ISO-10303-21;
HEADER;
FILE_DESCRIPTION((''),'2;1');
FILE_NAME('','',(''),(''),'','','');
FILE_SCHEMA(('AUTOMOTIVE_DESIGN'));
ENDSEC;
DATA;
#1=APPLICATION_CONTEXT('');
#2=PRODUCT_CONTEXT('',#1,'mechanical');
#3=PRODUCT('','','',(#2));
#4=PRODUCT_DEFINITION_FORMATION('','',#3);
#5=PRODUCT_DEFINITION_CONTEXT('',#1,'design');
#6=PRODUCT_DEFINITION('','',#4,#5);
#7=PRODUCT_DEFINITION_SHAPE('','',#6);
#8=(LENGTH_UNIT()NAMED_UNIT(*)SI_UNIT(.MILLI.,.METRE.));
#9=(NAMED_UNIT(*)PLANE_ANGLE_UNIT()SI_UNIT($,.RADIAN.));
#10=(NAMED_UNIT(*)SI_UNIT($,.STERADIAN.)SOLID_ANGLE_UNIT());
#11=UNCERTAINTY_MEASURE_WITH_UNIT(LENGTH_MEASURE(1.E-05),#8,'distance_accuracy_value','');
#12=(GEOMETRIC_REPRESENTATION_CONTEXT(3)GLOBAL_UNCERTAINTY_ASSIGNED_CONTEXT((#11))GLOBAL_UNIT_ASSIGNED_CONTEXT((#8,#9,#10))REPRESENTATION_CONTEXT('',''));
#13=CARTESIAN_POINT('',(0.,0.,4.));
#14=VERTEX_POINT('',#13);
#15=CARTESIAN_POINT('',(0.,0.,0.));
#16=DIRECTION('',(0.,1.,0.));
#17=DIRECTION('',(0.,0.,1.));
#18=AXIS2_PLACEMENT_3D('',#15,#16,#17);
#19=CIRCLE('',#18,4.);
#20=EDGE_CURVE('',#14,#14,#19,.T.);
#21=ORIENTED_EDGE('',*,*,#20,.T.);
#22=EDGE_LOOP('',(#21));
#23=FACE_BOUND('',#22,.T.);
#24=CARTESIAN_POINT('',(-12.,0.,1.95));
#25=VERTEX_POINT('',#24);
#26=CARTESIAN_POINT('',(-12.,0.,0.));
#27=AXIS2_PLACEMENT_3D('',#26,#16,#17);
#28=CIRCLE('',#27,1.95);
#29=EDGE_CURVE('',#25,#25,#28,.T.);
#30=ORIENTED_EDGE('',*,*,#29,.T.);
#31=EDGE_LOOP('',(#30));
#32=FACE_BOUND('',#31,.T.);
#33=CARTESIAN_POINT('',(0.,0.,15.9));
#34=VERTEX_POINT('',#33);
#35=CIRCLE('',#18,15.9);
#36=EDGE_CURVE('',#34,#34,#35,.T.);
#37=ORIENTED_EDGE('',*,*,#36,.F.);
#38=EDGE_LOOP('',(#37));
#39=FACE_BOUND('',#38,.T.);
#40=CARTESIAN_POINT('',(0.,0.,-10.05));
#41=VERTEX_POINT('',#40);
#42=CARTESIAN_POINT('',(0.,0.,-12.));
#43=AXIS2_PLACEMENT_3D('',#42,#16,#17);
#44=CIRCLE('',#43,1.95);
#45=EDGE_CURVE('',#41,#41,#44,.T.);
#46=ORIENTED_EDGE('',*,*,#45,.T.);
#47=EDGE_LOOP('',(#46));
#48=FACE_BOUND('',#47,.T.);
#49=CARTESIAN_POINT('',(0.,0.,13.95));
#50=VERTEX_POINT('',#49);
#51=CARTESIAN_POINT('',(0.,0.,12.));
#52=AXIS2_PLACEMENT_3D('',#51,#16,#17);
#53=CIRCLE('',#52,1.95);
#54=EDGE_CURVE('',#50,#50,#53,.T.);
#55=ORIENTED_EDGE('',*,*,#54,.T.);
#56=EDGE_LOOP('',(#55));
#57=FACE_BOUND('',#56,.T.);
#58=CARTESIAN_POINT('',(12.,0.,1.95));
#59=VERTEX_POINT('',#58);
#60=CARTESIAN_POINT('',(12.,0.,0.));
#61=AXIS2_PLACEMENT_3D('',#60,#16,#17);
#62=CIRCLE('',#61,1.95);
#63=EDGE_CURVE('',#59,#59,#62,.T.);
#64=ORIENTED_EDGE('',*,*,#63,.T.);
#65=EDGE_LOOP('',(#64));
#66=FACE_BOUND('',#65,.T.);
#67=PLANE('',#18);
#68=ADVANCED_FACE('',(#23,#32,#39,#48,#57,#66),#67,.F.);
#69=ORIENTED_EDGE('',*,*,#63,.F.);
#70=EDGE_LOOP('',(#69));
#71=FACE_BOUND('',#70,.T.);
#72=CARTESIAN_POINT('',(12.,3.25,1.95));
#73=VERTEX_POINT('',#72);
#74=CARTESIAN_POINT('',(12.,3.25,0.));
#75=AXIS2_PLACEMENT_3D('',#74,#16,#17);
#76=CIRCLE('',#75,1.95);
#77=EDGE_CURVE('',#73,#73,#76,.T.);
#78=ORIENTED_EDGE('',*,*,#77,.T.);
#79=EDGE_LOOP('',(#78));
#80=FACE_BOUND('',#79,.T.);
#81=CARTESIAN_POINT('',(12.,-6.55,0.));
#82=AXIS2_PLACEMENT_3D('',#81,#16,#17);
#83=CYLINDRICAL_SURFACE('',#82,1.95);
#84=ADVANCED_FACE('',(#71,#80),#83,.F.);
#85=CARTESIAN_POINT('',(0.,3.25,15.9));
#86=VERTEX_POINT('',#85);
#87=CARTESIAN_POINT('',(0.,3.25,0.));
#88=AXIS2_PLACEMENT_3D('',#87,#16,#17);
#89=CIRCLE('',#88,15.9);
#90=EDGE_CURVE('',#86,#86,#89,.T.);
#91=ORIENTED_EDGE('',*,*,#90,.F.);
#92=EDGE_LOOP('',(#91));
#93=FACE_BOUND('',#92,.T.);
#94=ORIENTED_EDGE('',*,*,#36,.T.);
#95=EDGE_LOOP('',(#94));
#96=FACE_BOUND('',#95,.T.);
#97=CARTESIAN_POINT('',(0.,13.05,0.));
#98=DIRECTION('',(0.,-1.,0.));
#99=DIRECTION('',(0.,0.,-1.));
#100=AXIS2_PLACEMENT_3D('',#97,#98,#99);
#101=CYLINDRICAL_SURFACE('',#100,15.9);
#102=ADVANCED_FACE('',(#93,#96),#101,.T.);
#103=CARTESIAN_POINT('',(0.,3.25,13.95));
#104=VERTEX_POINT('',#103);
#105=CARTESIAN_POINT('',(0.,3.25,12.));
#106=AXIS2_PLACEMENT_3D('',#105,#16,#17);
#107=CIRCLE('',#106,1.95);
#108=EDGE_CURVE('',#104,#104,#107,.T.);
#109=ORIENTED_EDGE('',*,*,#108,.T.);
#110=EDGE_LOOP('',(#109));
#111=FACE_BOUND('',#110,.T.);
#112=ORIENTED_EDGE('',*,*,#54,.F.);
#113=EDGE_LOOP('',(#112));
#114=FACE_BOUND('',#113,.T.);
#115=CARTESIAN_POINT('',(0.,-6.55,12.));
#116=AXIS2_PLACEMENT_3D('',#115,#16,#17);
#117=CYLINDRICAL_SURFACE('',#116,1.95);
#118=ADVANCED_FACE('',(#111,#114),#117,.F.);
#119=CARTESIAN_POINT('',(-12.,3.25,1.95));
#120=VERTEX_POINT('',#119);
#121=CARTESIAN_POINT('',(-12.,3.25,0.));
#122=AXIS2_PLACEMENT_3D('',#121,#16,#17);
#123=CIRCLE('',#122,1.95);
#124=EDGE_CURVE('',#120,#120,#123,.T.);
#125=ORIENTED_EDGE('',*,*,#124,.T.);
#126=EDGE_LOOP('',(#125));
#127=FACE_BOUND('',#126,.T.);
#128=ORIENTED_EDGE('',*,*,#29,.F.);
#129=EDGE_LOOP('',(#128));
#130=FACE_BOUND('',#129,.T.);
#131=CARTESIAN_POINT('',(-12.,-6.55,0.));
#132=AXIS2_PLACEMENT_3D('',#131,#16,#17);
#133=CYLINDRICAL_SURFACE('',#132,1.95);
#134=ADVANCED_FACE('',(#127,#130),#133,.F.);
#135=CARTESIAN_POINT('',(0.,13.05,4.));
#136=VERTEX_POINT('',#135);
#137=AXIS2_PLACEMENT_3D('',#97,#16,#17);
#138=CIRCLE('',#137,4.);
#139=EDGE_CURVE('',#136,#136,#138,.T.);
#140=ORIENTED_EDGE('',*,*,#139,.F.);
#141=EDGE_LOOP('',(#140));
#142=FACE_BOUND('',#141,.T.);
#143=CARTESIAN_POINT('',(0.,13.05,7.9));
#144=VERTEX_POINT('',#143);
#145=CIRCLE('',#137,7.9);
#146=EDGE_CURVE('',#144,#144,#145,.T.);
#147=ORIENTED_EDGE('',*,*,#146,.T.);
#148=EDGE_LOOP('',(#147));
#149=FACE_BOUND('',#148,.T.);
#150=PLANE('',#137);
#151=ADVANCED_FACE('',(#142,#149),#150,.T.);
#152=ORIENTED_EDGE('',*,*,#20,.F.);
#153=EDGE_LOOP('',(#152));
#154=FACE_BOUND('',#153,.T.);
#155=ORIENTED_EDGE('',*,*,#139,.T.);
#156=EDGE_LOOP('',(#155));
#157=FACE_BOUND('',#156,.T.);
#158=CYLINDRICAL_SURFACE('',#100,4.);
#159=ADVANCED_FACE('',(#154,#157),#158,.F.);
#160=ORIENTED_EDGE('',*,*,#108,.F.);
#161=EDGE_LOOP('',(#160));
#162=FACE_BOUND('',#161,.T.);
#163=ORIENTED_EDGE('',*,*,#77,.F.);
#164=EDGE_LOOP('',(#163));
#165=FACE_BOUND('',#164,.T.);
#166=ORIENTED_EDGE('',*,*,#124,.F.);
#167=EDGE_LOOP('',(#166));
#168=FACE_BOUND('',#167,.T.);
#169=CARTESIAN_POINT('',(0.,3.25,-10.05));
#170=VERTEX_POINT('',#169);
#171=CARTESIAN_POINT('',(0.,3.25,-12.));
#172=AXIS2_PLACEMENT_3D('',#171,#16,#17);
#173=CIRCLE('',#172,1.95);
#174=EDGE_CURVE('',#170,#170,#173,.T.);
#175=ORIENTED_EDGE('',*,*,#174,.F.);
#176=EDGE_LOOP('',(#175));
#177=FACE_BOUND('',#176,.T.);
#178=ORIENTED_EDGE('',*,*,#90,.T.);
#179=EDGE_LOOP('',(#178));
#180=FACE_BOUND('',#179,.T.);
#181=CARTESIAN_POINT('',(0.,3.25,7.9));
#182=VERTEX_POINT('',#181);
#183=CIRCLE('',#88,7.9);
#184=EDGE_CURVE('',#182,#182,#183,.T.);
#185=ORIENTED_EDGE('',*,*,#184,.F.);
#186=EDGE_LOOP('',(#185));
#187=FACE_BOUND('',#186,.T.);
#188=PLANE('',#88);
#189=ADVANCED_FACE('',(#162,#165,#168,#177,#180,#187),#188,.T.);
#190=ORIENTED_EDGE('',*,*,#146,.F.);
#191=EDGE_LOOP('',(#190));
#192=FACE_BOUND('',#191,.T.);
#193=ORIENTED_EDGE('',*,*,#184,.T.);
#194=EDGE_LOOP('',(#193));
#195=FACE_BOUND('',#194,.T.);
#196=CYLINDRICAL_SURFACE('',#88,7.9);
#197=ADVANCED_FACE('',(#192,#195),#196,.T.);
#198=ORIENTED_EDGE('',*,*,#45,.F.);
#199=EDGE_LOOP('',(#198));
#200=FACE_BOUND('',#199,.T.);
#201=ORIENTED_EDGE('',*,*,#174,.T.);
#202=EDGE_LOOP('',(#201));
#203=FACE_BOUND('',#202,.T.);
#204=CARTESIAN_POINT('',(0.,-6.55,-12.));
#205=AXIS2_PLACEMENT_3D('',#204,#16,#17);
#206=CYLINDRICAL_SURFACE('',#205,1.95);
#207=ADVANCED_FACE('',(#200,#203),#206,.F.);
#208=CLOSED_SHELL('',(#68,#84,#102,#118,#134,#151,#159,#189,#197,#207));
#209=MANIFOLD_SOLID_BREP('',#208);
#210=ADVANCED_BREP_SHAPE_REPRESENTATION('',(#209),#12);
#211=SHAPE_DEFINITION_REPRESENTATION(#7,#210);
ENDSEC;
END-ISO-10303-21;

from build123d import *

# Parameters (mm, degrees)
SKETCH1_R           = 15.9
SKETCH1_R_2         = 4
BOSS_EXTRUDE1_DEPTH = 13.05
CUT_EXTRUDE1_START  = -9.8
SKETCH2_R           = 15.9
SKETCH2_R_2         = 7.9
CUT_EXTRUDE1_DEPTH  = 9.8
SKETCH3_R           = 1.95
CUT_EXTRUDE2_DEPTH  = 9.8


with BuildPart() as part:
    # Sketch1 → Boss-Extrude1 (new body)
    with BuildSketch(Plane(origin=(0, 0, 0), x_dir=(1, 0, 0), z_dir=(0, 1, 0))):
        with Locations(Location((0, 0, 0), (0, 0, 270))):
            Circle(SKETCH1_R)
        with Locations(Location((0, 0, 0), (0, 0, 270))):
            Circle(SKETCH1_R_2, mode=Mode.SUBTRACT)
    extrude(amount=BOSS_EXTRUDE1_DEPTH)

    # Sketch2 → Cut-Extrude1 (cut)
    with BuildSketch(Plane(origin=(0, 13.05, 0), x_dir=(1, 0, 0), z_dir=(0, 1, 0)).offset(CUT_EXTRUDE1_START)):
        with Locations(Location((0, 0, 0), (0, 0, 270))):
            Circle(SKETCH2_R)
        with Locations(Location((0, 0, 0), (0, 0, 270))):
            Circle(SKETCH2_R_2, mode=Mode.SUBTRACT)
    extrude(amount=CUT_EXTRUDE1_DEPTH, mode=Mode.SUBTRACT)

    # Sketch3 → Cut-Extrude2 (cut)
    with BuildSketch(Plane(origin=(0, 3.25, 0), x_dir=(1, 0, 0), z_dir=(0, 1, 0))):
        with Locations(Location((0, 12, 0), (0, 0, 270))):
            Circle(SKETCH3_R)
        with Locations(Location((12, 0, 0), (0, 0, 270))):
            Circle(SKETCH3_R)
        with Locations(Location((0, -12, 0), (0, 0, 270))):
            Circle(SKETCH3_R)
        with Locations(Location((-12, 0, 0), (0, 0, 270))):
            Circle(SKETCH3_R)
    extrude(amount=-CUT_EXTRUDE2_DEPTH, mode=Mode.SUBTRACT)


solid = part.part
